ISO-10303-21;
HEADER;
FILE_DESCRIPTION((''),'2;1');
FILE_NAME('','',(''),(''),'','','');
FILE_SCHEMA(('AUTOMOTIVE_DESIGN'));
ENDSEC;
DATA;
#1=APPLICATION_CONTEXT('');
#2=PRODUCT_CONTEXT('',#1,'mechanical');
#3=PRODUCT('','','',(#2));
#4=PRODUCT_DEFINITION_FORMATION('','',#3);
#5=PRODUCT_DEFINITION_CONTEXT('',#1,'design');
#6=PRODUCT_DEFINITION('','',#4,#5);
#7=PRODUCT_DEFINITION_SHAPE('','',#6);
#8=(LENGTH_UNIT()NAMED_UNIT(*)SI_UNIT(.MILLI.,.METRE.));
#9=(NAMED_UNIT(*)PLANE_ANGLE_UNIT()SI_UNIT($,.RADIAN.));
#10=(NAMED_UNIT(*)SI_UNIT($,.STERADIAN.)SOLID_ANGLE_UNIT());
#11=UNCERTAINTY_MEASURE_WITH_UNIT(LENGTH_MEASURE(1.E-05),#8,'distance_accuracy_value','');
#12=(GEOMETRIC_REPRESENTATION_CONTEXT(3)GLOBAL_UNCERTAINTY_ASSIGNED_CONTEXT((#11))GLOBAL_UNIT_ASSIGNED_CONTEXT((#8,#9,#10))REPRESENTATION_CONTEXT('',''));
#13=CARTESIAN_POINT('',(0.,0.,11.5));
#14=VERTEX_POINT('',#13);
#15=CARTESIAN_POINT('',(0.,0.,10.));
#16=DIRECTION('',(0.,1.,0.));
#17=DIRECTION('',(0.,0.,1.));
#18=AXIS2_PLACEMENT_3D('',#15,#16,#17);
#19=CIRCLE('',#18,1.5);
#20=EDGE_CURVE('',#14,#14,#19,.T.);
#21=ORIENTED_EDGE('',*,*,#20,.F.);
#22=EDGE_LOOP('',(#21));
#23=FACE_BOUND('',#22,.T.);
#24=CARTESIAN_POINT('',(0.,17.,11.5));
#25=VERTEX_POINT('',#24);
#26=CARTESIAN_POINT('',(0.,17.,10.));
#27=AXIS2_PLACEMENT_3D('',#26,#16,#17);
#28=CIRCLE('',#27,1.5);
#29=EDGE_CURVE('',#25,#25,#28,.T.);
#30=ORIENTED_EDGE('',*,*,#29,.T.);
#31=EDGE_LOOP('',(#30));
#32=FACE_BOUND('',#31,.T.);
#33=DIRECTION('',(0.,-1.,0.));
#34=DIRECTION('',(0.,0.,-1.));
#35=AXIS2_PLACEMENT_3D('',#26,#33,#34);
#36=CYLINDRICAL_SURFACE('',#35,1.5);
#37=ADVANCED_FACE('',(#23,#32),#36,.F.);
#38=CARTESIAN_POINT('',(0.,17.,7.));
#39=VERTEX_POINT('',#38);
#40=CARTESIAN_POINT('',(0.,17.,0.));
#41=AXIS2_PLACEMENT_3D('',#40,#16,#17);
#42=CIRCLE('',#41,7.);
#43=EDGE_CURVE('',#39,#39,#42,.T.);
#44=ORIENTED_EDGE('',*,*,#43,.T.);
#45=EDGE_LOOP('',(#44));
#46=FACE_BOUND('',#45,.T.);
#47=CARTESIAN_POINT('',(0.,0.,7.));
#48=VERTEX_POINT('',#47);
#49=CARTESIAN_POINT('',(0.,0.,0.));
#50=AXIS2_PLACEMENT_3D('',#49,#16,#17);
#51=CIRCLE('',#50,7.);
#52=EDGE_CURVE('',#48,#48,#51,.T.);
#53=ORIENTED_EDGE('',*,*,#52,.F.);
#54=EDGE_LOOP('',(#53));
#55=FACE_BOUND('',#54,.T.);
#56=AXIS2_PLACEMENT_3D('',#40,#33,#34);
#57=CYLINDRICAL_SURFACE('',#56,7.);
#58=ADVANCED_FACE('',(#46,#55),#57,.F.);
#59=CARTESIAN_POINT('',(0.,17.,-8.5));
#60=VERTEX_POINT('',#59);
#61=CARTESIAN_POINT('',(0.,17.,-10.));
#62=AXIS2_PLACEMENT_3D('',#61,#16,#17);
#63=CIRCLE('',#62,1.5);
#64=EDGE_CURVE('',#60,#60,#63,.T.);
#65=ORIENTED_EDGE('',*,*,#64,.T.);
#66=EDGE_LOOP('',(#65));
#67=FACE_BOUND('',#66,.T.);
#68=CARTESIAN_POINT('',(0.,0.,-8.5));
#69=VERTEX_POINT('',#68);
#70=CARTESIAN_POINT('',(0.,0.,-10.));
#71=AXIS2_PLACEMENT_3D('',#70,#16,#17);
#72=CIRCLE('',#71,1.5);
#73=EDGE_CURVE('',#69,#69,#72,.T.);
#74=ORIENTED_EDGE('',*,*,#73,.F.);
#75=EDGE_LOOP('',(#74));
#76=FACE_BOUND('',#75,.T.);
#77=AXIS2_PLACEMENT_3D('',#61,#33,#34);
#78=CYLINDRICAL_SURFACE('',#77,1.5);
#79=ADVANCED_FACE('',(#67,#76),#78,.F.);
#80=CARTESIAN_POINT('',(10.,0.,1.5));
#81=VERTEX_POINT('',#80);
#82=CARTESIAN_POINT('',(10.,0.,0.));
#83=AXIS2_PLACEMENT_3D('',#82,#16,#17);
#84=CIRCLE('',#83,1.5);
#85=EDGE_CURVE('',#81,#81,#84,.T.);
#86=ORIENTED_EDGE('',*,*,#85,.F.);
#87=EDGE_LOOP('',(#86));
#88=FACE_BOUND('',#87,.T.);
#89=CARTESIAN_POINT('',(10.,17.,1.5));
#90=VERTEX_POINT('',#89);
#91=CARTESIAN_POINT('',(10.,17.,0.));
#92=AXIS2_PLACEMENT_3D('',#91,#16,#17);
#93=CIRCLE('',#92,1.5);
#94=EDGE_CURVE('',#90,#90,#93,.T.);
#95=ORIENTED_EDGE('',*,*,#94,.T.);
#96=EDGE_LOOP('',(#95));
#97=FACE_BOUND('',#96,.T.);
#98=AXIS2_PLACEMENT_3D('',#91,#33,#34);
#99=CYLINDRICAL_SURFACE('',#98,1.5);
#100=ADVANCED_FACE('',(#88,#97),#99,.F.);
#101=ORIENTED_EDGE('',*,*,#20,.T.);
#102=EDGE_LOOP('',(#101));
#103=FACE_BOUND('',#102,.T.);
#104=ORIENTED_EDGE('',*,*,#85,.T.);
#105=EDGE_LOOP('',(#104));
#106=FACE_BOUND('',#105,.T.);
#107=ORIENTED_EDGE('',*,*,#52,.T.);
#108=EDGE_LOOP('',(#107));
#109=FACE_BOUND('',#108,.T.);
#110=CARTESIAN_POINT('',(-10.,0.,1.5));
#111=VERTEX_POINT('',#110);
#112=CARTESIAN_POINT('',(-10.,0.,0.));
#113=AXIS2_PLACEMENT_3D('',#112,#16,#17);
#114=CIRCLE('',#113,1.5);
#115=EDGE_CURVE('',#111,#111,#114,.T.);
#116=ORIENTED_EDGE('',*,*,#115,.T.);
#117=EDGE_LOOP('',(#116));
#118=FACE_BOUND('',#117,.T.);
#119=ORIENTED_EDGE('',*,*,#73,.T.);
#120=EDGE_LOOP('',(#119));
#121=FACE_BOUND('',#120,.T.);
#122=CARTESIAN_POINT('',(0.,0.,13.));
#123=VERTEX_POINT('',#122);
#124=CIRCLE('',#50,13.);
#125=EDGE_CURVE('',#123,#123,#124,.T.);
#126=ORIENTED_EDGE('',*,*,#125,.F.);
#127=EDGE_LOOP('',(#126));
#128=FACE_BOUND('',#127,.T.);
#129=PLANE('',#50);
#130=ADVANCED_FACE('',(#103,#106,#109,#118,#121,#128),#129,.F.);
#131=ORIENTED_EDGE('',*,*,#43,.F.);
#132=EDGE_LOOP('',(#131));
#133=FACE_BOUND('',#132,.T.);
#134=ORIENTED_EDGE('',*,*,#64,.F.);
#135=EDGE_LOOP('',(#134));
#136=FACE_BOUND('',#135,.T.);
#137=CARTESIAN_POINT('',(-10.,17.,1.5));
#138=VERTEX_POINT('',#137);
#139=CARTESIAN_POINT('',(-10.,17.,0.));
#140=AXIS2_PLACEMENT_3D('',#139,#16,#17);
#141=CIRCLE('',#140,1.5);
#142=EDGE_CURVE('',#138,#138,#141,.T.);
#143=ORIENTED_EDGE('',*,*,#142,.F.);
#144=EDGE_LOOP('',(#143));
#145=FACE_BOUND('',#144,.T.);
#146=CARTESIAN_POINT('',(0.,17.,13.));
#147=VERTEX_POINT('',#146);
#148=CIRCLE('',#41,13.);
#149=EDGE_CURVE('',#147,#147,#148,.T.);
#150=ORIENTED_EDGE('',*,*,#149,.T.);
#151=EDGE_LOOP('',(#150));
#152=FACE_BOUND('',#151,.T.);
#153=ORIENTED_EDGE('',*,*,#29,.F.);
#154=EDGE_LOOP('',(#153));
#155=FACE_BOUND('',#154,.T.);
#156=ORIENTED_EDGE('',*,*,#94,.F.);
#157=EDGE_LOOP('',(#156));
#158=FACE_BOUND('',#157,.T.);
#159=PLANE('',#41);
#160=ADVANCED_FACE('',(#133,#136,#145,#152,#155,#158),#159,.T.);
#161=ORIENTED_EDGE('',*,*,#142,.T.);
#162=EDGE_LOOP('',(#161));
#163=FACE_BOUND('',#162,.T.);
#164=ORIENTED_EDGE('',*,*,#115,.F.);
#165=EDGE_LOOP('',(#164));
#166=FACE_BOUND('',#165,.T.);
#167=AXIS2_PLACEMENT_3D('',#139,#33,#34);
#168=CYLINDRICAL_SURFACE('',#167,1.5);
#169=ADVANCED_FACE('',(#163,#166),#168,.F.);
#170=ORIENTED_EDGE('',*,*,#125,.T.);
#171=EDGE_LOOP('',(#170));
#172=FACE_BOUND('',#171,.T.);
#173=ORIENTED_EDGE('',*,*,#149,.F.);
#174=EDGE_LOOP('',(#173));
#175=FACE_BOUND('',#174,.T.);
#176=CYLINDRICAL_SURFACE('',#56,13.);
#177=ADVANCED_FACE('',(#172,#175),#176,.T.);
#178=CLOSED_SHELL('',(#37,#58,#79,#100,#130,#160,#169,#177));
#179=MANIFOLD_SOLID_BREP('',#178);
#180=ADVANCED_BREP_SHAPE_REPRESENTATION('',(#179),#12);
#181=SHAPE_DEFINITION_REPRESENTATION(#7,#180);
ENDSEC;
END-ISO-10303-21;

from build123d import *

# Parameters (mm, degrees)
SKETCH_1_R      = 13
SKETCH_1_R_2    = 7
SKETCH_1_R_3    = 1.5
EXTRUDE_1_DEPTH = 17


with BuildPart() as part:
    # 草图1 → 凸台-拉伸1 (new body)
    with BuildSketch(Plane(origin=(0, 0, 0), x_dir=(1, 0, 0), z_dir=(0, 1, 0))):
        with Locations(Location((0, 0, 0), (0, 0, 270))):
            Circle(SKETCH_1_R)
        with Locations(Location((0, 0, 0), (0, 0, 270))):
            Circle(SKETCH_1_R_2, mode=Mode.SUBTRACT)
        with Locations(Location((0, 10, 0), (0, 0, 270))):
            Circle(SKETCH_1_R_3, mode=Mode.SUBTRACT)
        with Locations(Location((10, 0, 0), (0, 0, 270))):
            Circle(SKETCH_1_R_3, mode=Mode.SUBTRACT)
        with Locations(Location((0, -10, 0), (0, 0, 270))):
            Circle(SKETCH_1_R_3, mode=Mode.SUBTRACT)
        with Locations(Location((-10, 0, 0), (0, 0, 270))):
            Circle(SKETCH_1_R_3, mode=Mode.SUBTRACT)
    extrude(amount=EXTRUDE_1_DEPTH)


solid = part.part
